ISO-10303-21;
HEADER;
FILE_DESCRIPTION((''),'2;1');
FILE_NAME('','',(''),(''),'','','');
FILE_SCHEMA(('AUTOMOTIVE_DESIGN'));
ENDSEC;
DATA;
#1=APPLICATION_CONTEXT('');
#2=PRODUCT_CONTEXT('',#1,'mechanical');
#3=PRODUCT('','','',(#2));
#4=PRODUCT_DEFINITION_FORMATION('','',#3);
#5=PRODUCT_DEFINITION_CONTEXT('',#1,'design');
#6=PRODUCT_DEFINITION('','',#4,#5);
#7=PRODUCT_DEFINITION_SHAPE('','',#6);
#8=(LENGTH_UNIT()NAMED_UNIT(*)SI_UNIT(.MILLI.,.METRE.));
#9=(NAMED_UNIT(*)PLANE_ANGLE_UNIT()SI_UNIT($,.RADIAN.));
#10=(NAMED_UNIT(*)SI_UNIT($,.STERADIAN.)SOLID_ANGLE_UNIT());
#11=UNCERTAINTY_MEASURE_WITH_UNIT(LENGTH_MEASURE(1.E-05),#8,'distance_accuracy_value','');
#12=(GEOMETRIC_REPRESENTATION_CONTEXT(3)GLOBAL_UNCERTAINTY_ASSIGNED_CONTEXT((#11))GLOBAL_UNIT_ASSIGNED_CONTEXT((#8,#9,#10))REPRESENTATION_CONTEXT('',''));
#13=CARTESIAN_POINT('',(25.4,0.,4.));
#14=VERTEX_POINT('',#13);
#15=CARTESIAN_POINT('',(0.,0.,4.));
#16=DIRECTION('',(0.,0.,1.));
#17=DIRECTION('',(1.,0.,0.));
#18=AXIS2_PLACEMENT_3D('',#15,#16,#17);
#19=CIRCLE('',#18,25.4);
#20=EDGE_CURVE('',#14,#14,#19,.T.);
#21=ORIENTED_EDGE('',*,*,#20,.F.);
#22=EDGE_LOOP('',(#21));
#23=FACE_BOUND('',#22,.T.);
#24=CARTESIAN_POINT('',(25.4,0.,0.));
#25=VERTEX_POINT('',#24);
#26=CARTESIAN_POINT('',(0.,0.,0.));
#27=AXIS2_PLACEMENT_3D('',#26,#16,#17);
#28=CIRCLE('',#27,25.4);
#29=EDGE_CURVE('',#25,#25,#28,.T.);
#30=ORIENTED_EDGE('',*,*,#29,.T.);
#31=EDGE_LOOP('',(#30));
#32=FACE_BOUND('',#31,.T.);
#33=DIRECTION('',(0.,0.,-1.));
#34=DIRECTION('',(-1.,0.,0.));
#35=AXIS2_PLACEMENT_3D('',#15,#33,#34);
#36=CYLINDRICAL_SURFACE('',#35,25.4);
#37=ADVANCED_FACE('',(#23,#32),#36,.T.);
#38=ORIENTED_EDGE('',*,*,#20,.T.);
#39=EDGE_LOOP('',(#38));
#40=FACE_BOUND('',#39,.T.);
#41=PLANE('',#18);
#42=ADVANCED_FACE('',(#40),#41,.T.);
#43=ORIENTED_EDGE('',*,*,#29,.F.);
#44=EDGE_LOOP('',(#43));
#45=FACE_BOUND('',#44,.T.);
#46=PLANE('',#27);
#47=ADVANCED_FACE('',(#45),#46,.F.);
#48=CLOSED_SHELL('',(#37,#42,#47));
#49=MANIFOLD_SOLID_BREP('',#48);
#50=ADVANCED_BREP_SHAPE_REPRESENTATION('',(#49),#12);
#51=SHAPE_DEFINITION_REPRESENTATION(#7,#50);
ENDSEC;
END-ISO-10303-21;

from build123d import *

# Parameters (mm, degrees)
SKETCH_1_R      = 25.4
EXTRUDE_1_DEPTH = 4


with BuildPart() as part:
    # 草图1 → 凸台-拉伸1 (new body)
    with BuildSketch(Plane.XY):
        Circle(SKETCH_1_R)
    extrude(amount=EXTRUDE_1_DEPTH)


solid = part.part
